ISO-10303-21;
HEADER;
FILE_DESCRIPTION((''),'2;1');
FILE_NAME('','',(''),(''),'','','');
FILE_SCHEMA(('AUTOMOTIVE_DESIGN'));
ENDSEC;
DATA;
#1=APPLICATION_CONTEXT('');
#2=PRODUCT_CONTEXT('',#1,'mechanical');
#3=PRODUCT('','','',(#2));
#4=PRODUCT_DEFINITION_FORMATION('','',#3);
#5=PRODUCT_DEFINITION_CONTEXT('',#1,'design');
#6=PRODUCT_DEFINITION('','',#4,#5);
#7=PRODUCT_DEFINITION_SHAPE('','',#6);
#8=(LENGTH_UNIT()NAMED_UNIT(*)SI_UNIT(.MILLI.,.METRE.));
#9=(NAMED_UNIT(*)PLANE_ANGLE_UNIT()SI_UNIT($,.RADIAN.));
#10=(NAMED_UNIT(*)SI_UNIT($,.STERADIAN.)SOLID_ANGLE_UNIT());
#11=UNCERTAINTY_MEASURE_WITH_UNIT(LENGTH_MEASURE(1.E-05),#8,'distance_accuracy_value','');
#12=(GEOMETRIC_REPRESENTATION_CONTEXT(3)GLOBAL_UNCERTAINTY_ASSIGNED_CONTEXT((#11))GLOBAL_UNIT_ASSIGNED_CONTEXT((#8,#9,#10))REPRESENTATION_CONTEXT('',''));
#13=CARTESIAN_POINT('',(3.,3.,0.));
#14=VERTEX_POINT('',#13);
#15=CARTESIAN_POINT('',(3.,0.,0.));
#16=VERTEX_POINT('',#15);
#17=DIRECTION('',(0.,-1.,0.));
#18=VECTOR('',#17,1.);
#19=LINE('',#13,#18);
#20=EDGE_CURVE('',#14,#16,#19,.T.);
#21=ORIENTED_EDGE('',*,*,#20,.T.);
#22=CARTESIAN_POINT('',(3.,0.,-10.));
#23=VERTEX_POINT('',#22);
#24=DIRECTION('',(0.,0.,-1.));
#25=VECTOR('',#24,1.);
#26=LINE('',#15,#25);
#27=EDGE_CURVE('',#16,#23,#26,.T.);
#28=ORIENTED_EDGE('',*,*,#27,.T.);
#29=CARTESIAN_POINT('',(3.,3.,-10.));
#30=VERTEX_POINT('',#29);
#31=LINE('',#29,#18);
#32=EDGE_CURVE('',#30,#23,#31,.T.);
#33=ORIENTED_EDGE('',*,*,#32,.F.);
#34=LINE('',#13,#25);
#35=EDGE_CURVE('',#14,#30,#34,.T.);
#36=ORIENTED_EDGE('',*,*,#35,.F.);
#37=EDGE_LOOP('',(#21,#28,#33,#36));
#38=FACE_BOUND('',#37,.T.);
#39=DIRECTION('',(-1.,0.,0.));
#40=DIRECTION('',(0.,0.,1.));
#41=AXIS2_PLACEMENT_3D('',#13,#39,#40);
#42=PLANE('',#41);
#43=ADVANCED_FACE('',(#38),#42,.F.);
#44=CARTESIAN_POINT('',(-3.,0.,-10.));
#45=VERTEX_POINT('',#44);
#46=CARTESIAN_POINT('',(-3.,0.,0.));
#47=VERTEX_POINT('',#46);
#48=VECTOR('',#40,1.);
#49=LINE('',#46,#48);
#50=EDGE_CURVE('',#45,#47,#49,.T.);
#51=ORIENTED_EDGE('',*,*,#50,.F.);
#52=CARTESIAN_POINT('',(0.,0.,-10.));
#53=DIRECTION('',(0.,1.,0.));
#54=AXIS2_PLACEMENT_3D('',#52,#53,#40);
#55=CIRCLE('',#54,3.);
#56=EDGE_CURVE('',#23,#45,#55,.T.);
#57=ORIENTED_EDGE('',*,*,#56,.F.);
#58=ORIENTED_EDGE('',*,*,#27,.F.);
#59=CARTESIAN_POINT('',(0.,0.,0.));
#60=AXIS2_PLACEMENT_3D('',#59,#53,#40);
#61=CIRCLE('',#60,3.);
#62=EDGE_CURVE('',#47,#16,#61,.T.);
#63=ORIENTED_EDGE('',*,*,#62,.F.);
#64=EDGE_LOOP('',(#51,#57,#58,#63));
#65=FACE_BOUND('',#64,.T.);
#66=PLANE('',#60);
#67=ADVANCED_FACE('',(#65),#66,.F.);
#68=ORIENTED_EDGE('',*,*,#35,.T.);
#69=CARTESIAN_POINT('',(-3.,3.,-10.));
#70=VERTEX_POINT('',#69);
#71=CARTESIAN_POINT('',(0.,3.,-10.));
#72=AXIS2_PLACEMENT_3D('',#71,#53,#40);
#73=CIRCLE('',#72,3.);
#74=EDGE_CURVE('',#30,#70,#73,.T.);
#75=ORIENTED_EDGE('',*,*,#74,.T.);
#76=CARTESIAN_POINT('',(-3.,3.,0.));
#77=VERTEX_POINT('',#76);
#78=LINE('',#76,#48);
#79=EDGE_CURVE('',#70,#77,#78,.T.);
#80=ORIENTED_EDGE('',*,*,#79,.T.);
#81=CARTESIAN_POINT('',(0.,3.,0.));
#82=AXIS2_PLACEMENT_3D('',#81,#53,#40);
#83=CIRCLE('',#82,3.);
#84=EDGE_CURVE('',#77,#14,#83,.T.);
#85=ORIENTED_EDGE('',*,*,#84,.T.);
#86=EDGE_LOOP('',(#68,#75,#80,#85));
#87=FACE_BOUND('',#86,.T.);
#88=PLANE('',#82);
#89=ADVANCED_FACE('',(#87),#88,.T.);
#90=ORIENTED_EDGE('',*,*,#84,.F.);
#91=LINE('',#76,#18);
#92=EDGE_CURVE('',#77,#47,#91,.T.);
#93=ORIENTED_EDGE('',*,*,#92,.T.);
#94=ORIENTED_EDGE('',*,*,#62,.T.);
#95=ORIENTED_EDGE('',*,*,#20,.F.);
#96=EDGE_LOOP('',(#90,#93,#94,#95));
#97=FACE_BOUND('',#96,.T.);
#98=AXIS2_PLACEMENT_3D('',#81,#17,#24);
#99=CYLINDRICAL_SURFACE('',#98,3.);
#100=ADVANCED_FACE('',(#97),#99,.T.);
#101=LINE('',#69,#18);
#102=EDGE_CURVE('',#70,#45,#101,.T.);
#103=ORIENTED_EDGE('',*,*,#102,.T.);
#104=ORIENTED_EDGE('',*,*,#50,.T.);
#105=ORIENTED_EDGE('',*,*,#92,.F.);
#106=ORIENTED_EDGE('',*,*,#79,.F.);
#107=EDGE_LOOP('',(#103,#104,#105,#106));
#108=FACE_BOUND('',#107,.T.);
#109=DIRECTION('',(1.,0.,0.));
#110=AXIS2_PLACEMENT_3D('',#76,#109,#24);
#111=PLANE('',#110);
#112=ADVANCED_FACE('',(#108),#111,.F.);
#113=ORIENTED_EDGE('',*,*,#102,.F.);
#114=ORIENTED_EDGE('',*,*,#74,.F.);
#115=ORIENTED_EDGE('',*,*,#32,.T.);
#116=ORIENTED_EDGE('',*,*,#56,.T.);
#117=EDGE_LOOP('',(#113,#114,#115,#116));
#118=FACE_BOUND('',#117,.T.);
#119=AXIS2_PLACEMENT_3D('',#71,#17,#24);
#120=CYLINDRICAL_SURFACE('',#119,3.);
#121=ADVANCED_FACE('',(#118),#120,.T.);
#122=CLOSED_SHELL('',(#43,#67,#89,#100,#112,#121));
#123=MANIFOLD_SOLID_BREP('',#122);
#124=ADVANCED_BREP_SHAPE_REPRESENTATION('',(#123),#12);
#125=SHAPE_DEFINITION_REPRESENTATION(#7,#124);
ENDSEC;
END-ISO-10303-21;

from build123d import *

# Parameters (mm, degrees)
SALIENTE_EXTRUIR1_DEPTH = 3


with BuildPart() as part:
    # Croquis1 → Saliente-Extruir1 (new body)
    with BuildSketch(Plane(origin=(0, 0, 0), x_dir=(1, 0, 0), z_dir=(0, 1, 0))):
        with BuildLine():
            Line((-3, 0), (-3, 10))
            ThreePointArc((-3, 10), (0, 13), (3, 10))
            Line((3, 10), (3, 0))
            ThreePointArc((3, 0), (0, -3), (-3, 0))
        make_face()
    extrude(amount=SALIENTE_EXTRUIR1_DEPTH)


solid = part.part
